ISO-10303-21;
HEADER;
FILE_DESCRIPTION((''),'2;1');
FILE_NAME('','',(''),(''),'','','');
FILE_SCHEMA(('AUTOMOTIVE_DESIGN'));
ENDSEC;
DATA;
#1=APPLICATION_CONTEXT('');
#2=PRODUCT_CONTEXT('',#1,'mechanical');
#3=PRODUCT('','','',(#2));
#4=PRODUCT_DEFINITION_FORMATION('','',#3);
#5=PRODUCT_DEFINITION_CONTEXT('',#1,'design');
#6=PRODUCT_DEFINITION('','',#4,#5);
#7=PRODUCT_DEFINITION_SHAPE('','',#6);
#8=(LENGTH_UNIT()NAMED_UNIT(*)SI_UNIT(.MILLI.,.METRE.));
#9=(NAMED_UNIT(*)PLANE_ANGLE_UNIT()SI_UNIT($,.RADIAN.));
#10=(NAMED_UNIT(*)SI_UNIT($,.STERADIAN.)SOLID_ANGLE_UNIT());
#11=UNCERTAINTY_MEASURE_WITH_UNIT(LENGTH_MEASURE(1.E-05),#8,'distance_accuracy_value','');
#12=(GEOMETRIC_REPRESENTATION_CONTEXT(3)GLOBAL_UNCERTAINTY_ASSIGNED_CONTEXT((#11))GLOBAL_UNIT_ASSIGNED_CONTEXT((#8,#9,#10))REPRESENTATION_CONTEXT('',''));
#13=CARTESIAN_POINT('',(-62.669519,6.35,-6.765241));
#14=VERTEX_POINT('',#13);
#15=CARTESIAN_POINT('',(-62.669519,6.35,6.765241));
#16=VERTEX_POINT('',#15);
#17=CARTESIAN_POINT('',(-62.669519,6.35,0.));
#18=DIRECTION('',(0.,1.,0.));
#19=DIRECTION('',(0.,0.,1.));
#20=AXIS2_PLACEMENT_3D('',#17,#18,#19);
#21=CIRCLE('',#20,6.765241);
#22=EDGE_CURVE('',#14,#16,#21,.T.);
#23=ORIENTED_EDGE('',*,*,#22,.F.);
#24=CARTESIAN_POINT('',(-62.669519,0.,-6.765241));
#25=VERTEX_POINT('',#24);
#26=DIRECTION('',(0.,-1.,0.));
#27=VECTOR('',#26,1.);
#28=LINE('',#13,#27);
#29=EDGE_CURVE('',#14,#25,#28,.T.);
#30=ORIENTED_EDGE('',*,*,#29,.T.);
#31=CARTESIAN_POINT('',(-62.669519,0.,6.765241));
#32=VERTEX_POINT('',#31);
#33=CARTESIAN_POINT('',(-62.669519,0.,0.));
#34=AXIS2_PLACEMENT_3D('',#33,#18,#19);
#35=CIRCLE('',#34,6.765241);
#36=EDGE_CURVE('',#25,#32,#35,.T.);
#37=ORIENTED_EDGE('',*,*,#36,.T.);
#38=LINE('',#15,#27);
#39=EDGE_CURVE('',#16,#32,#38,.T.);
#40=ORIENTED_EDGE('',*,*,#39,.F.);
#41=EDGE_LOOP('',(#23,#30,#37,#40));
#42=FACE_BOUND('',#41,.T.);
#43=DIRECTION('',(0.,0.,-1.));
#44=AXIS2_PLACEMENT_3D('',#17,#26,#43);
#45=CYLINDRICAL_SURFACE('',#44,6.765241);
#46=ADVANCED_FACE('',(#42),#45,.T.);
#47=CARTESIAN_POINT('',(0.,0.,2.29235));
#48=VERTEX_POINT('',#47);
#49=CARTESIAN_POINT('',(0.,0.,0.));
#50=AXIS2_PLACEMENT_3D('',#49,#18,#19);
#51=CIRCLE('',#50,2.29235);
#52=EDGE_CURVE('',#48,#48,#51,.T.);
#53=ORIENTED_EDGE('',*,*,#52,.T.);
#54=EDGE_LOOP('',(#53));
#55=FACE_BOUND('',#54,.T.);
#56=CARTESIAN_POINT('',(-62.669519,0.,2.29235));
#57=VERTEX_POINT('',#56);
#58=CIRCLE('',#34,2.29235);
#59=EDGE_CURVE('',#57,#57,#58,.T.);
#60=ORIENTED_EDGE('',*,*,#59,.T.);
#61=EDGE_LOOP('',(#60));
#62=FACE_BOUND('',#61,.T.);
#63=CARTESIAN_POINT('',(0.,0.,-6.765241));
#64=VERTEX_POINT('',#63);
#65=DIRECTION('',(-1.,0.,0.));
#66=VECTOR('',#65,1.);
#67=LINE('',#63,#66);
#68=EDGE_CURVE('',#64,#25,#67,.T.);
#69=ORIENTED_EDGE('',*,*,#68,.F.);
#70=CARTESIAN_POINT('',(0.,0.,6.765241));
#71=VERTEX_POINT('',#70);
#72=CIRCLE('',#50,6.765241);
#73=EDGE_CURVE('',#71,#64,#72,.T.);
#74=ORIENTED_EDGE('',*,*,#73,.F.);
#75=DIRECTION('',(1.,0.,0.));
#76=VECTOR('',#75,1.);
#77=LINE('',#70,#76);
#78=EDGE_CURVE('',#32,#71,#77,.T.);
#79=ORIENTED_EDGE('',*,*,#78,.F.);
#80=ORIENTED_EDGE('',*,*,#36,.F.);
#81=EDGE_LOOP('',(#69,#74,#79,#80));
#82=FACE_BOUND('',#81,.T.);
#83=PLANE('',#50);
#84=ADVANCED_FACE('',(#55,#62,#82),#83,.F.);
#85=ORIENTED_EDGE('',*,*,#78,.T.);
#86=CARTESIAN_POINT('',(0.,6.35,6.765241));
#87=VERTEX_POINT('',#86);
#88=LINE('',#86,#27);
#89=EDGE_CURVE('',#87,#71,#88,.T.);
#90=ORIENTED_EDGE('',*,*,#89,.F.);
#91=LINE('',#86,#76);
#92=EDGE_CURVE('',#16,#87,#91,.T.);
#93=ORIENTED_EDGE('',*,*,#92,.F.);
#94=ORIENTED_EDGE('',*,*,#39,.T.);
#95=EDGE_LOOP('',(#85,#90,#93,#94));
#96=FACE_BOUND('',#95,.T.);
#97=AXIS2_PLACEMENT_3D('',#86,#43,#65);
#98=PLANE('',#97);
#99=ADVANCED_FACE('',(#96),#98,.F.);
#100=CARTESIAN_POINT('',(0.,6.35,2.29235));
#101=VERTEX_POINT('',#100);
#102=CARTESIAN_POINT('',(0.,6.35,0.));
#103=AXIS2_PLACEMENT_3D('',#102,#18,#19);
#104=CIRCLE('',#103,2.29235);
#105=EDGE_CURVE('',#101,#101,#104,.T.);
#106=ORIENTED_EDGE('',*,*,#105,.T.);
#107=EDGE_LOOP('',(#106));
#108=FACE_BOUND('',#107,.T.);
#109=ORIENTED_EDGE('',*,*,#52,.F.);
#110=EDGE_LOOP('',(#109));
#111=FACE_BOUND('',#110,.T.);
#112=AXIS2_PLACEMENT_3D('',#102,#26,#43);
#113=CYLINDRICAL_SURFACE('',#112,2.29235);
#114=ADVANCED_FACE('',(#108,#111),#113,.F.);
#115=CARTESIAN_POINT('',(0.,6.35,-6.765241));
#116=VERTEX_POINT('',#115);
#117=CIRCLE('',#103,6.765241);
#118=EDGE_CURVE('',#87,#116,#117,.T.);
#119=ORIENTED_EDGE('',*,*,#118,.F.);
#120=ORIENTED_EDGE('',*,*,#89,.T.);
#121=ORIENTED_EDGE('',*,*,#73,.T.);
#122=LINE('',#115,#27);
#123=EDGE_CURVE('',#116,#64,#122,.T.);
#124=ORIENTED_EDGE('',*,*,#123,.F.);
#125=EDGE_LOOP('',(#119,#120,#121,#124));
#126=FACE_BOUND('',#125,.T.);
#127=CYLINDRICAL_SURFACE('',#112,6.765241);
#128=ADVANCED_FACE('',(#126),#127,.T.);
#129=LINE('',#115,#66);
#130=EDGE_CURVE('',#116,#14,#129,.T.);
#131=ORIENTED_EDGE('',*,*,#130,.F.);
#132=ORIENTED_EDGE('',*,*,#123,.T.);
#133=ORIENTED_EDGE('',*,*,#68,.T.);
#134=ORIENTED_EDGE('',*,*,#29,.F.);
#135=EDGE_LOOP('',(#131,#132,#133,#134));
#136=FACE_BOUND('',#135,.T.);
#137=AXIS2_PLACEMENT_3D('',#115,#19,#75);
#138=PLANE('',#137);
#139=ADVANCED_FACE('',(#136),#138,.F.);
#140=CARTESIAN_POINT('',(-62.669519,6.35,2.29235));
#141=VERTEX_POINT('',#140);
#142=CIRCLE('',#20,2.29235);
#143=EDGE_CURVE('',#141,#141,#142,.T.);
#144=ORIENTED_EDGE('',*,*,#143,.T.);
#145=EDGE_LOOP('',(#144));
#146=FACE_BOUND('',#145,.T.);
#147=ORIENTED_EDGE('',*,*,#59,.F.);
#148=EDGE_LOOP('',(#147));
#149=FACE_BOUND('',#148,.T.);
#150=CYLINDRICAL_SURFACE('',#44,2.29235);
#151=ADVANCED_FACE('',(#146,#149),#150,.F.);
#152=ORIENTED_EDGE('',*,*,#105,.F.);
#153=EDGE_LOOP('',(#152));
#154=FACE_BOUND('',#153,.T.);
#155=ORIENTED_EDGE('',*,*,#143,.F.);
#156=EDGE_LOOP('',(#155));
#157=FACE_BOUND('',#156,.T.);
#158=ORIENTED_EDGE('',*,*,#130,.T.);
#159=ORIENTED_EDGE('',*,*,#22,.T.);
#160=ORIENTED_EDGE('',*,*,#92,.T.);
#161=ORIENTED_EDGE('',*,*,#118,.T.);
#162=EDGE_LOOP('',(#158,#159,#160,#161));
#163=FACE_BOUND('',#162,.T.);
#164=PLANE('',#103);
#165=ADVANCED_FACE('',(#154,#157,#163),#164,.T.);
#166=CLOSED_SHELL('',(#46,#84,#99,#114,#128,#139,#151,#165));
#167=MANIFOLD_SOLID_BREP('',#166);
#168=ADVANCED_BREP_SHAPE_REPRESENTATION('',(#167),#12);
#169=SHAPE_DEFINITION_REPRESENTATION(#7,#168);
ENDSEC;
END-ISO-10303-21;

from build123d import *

# Parameters (mm, degrees)
SKETCH1_R           = 2.29235
BOSS_EXTRUDE1_DEPTH = 6.35


with BuildPart() as part:
    # Sketch1 → Boss-Extrude1 (new body)
    with BuildSketch(Plane(origin=(0, 0, 0), x_dir=(1, 0, 0), z_dir=(0, 1, 0))):
        with BuildLine():
            Line((0, -6.765240676), (-62.669518648, -6.765240676))
            ThreePointArc((-62.669518648, -6.765240676), (-69.434759324, 0), (-62.669518648, 6.765240676))
            Line((-62.669518648, 6.765240676), (0, 6.765240676))
            ThreePointArc((0, 6.765240676), (6.765240676, 0), (0, -6.765240676))
        make_face()
        with Locations((-62.669518648, 0)):
            Circle(SKETCH1_R, mode=Mode.SUBTRACT)
        Circle(SKETCH1_R, mode=Mode.SUBTRACT)
    extrude(amount=BOSS_EXTRUDE1_DEPTH)


solid = part.part
